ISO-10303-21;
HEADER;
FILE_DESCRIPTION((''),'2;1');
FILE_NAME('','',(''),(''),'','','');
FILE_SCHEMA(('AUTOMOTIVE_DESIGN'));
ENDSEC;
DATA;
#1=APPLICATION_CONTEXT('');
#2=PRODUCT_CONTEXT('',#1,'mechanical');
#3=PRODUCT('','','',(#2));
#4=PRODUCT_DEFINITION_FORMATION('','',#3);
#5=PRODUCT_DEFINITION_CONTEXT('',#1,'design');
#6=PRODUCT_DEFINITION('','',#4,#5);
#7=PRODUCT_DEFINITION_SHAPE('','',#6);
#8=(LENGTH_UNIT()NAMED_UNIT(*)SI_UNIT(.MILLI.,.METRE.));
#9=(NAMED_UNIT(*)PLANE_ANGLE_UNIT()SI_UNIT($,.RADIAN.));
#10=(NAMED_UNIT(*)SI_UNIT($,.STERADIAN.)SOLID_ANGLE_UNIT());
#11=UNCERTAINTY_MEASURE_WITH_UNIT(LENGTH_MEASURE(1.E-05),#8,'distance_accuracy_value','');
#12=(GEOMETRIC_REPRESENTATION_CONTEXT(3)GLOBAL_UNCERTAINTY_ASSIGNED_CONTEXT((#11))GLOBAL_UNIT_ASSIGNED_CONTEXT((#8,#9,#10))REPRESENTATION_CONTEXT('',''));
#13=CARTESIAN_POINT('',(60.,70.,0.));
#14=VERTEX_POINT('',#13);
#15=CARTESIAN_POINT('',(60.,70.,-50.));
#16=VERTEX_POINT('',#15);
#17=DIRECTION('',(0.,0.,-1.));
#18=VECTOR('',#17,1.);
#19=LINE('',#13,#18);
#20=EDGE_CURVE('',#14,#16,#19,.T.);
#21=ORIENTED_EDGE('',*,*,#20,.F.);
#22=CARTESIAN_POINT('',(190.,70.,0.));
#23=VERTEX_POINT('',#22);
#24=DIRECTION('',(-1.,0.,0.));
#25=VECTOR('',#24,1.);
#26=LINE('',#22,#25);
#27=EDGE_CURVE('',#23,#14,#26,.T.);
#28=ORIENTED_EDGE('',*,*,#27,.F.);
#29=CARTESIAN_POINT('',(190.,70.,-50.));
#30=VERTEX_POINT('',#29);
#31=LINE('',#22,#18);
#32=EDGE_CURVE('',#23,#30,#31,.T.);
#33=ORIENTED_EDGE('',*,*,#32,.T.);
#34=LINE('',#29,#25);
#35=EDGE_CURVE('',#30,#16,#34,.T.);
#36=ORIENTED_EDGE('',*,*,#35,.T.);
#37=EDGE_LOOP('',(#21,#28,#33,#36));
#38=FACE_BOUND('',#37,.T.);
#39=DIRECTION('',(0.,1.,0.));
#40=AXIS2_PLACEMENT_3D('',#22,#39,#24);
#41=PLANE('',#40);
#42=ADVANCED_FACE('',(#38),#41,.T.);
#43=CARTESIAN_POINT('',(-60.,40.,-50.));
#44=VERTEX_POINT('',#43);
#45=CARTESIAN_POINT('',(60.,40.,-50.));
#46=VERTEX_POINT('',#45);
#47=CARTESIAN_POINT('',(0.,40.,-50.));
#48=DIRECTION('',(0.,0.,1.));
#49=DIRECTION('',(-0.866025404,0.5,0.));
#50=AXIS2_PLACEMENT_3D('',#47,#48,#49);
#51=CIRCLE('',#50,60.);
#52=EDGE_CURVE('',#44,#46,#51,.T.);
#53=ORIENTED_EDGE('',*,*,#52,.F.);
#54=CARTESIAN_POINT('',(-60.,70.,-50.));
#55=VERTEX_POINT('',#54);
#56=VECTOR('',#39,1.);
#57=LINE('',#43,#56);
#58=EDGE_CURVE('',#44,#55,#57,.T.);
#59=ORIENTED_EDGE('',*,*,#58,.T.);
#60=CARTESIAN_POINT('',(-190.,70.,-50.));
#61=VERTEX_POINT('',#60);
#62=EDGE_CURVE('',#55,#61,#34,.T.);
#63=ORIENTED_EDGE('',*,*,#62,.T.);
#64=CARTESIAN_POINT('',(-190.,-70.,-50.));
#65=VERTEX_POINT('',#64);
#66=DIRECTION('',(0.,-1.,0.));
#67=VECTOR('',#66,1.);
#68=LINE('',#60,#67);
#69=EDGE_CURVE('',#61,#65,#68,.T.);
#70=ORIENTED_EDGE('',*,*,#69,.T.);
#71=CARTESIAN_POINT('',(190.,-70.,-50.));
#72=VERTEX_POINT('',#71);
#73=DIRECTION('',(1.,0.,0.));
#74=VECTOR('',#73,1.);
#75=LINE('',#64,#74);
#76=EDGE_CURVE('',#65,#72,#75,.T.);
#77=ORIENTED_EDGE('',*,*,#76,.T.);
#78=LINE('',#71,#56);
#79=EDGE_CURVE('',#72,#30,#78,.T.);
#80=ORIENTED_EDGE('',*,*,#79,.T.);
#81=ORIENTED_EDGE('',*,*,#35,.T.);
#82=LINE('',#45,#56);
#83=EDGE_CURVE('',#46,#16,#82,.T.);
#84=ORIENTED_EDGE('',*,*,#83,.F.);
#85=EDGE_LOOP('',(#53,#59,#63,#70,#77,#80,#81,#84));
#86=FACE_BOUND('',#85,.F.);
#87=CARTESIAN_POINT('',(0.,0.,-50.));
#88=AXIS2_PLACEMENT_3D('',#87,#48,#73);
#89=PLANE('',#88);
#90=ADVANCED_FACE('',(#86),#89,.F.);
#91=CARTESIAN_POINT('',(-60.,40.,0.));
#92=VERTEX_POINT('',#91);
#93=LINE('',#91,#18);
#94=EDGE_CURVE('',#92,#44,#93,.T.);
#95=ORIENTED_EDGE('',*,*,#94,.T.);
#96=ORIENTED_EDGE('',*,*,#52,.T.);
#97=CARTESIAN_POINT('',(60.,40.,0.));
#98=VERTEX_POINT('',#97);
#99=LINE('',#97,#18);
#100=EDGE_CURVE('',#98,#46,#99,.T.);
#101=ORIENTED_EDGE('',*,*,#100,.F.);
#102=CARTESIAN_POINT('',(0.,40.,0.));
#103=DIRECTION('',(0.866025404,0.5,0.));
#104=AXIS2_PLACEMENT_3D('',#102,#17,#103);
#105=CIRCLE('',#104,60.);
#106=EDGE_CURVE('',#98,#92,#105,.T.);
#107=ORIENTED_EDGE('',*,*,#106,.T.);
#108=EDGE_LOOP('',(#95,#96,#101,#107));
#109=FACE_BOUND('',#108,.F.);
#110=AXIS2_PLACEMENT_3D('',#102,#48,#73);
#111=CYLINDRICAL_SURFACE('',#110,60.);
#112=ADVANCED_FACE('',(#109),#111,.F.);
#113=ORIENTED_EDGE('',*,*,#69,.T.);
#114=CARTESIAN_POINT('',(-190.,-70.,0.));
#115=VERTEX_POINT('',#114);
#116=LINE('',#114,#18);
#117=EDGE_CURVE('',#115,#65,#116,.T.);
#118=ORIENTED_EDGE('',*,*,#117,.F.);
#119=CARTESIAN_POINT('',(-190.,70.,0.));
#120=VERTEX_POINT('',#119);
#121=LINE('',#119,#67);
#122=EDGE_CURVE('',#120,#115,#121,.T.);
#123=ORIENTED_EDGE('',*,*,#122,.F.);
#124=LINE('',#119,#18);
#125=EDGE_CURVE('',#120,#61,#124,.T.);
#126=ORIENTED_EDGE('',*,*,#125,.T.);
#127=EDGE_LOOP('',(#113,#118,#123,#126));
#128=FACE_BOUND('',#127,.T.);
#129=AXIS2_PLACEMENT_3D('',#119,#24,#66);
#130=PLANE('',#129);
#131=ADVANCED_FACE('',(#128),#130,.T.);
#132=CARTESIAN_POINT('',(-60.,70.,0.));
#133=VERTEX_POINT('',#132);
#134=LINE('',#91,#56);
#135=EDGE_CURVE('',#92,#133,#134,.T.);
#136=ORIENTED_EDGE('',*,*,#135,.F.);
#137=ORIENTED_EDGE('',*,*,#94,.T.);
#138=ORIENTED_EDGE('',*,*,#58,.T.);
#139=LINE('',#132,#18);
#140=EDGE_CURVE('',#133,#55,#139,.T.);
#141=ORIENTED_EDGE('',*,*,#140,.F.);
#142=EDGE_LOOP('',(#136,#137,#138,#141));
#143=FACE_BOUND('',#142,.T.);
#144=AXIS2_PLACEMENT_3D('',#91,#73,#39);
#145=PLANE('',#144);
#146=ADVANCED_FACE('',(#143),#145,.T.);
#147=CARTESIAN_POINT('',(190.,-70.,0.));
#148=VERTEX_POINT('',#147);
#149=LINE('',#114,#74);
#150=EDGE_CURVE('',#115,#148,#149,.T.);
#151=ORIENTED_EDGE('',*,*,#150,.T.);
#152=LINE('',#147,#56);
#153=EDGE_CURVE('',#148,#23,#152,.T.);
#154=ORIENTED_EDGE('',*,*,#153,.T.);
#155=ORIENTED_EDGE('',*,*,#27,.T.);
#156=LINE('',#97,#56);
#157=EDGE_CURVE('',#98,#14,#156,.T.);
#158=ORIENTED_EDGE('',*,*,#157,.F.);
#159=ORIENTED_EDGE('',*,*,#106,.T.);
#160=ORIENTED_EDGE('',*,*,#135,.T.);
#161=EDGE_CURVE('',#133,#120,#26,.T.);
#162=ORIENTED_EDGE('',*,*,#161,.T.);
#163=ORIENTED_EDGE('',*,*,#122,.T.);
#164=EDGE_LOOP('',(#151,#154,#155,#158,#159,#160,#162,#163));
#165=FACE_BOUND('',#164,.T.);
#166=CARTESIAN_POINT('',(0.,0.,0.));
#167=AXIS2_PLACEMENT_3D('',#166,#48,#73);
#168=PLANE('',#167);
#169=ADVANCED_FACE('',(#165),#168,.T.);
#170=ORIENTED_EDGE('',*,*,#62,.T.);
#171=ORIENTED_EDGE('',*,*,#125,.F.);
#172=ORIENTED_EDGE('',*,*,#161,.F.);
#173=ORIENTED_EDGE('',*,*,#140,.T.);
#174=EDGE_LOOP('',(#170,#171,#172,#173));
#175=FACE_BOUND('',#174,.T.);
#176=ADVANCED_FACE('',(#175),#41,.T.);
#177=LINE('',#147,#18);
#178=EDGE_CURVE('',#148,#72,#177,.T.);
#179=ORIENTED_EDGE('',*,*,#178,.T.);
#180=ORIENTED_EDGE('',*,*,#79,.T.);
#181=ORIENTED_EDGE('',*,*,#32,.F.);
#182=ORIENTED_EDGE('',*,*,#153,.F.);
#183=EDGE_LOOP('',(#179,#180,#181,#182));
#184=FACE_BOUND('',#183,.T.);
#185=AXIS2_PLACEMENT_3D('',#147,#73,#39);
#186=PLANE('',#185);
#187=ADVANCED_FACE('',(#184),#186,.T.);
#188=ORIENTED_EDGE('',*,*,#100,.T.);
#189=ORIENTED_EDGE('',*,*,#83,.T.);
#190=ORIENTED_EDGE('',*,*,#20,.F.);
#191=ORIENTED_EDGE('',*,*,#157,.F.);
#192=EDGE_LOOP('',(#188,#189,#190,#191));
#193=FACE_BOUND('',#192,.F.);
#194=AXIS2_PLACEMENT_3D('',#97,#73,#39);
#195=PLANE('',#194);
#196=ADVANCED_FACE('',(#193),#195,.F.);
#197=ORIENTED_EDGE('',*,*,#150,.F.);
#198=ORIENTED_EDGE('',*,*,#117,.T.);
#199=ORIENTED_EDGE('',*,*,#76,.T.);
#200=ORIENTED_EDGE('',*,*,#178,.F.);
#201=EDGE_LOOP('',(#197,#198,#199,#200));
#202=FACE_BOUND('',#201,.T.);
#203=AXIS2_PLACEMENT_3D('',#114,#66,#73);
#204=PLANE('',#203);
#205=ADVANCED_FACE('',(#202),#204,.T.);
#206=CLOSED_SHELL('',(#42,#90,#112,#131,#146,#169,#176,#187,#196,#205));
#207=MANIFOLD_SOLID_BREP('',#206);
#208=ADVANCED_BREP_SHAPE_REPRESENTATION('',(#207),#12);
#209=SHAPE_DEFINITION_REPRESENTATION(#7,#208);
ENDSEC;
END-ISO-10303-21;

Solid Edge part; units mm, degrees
sketch "Sketch1" plane through (0, 0, 0) normal (0, 0, 1) x (1, 0, 0)
  line L0 (-190, -70) -> (190, -70)
  line L1 (190, -70) -> (190, 70)
  line L2 (190, 70) -> (-190, 70)
  line L3 (-190, 70) -> (-190, -70)
extrude "Protrusion1" add sketch "Sketch1" against normal blind 50
sketch "Sketch2" plane through (0, 0, 0) normal (0, 0, 1) x (1, 0, 0)
  circle A0 centre (0, 40) radius 60
extrude "Recorte_Extrudado_1" cut sketch "Sketch2" against normal blind 50
sketch "Sketch3" plane through (0, 0, 0) normal (0, 0, 1) x (1, 0, 0)
  line L0 (-60, 40) -> (-60, 70)
  line L1 (60, 70) -> (-60, 70)
  line L2 (60, 40) -> (60, 70)
  line L3 (-60, 40) -> (60, 40)
extrude "Recorte_Extrudado_2" cut sketch "Sketch3" against normal blind 50
